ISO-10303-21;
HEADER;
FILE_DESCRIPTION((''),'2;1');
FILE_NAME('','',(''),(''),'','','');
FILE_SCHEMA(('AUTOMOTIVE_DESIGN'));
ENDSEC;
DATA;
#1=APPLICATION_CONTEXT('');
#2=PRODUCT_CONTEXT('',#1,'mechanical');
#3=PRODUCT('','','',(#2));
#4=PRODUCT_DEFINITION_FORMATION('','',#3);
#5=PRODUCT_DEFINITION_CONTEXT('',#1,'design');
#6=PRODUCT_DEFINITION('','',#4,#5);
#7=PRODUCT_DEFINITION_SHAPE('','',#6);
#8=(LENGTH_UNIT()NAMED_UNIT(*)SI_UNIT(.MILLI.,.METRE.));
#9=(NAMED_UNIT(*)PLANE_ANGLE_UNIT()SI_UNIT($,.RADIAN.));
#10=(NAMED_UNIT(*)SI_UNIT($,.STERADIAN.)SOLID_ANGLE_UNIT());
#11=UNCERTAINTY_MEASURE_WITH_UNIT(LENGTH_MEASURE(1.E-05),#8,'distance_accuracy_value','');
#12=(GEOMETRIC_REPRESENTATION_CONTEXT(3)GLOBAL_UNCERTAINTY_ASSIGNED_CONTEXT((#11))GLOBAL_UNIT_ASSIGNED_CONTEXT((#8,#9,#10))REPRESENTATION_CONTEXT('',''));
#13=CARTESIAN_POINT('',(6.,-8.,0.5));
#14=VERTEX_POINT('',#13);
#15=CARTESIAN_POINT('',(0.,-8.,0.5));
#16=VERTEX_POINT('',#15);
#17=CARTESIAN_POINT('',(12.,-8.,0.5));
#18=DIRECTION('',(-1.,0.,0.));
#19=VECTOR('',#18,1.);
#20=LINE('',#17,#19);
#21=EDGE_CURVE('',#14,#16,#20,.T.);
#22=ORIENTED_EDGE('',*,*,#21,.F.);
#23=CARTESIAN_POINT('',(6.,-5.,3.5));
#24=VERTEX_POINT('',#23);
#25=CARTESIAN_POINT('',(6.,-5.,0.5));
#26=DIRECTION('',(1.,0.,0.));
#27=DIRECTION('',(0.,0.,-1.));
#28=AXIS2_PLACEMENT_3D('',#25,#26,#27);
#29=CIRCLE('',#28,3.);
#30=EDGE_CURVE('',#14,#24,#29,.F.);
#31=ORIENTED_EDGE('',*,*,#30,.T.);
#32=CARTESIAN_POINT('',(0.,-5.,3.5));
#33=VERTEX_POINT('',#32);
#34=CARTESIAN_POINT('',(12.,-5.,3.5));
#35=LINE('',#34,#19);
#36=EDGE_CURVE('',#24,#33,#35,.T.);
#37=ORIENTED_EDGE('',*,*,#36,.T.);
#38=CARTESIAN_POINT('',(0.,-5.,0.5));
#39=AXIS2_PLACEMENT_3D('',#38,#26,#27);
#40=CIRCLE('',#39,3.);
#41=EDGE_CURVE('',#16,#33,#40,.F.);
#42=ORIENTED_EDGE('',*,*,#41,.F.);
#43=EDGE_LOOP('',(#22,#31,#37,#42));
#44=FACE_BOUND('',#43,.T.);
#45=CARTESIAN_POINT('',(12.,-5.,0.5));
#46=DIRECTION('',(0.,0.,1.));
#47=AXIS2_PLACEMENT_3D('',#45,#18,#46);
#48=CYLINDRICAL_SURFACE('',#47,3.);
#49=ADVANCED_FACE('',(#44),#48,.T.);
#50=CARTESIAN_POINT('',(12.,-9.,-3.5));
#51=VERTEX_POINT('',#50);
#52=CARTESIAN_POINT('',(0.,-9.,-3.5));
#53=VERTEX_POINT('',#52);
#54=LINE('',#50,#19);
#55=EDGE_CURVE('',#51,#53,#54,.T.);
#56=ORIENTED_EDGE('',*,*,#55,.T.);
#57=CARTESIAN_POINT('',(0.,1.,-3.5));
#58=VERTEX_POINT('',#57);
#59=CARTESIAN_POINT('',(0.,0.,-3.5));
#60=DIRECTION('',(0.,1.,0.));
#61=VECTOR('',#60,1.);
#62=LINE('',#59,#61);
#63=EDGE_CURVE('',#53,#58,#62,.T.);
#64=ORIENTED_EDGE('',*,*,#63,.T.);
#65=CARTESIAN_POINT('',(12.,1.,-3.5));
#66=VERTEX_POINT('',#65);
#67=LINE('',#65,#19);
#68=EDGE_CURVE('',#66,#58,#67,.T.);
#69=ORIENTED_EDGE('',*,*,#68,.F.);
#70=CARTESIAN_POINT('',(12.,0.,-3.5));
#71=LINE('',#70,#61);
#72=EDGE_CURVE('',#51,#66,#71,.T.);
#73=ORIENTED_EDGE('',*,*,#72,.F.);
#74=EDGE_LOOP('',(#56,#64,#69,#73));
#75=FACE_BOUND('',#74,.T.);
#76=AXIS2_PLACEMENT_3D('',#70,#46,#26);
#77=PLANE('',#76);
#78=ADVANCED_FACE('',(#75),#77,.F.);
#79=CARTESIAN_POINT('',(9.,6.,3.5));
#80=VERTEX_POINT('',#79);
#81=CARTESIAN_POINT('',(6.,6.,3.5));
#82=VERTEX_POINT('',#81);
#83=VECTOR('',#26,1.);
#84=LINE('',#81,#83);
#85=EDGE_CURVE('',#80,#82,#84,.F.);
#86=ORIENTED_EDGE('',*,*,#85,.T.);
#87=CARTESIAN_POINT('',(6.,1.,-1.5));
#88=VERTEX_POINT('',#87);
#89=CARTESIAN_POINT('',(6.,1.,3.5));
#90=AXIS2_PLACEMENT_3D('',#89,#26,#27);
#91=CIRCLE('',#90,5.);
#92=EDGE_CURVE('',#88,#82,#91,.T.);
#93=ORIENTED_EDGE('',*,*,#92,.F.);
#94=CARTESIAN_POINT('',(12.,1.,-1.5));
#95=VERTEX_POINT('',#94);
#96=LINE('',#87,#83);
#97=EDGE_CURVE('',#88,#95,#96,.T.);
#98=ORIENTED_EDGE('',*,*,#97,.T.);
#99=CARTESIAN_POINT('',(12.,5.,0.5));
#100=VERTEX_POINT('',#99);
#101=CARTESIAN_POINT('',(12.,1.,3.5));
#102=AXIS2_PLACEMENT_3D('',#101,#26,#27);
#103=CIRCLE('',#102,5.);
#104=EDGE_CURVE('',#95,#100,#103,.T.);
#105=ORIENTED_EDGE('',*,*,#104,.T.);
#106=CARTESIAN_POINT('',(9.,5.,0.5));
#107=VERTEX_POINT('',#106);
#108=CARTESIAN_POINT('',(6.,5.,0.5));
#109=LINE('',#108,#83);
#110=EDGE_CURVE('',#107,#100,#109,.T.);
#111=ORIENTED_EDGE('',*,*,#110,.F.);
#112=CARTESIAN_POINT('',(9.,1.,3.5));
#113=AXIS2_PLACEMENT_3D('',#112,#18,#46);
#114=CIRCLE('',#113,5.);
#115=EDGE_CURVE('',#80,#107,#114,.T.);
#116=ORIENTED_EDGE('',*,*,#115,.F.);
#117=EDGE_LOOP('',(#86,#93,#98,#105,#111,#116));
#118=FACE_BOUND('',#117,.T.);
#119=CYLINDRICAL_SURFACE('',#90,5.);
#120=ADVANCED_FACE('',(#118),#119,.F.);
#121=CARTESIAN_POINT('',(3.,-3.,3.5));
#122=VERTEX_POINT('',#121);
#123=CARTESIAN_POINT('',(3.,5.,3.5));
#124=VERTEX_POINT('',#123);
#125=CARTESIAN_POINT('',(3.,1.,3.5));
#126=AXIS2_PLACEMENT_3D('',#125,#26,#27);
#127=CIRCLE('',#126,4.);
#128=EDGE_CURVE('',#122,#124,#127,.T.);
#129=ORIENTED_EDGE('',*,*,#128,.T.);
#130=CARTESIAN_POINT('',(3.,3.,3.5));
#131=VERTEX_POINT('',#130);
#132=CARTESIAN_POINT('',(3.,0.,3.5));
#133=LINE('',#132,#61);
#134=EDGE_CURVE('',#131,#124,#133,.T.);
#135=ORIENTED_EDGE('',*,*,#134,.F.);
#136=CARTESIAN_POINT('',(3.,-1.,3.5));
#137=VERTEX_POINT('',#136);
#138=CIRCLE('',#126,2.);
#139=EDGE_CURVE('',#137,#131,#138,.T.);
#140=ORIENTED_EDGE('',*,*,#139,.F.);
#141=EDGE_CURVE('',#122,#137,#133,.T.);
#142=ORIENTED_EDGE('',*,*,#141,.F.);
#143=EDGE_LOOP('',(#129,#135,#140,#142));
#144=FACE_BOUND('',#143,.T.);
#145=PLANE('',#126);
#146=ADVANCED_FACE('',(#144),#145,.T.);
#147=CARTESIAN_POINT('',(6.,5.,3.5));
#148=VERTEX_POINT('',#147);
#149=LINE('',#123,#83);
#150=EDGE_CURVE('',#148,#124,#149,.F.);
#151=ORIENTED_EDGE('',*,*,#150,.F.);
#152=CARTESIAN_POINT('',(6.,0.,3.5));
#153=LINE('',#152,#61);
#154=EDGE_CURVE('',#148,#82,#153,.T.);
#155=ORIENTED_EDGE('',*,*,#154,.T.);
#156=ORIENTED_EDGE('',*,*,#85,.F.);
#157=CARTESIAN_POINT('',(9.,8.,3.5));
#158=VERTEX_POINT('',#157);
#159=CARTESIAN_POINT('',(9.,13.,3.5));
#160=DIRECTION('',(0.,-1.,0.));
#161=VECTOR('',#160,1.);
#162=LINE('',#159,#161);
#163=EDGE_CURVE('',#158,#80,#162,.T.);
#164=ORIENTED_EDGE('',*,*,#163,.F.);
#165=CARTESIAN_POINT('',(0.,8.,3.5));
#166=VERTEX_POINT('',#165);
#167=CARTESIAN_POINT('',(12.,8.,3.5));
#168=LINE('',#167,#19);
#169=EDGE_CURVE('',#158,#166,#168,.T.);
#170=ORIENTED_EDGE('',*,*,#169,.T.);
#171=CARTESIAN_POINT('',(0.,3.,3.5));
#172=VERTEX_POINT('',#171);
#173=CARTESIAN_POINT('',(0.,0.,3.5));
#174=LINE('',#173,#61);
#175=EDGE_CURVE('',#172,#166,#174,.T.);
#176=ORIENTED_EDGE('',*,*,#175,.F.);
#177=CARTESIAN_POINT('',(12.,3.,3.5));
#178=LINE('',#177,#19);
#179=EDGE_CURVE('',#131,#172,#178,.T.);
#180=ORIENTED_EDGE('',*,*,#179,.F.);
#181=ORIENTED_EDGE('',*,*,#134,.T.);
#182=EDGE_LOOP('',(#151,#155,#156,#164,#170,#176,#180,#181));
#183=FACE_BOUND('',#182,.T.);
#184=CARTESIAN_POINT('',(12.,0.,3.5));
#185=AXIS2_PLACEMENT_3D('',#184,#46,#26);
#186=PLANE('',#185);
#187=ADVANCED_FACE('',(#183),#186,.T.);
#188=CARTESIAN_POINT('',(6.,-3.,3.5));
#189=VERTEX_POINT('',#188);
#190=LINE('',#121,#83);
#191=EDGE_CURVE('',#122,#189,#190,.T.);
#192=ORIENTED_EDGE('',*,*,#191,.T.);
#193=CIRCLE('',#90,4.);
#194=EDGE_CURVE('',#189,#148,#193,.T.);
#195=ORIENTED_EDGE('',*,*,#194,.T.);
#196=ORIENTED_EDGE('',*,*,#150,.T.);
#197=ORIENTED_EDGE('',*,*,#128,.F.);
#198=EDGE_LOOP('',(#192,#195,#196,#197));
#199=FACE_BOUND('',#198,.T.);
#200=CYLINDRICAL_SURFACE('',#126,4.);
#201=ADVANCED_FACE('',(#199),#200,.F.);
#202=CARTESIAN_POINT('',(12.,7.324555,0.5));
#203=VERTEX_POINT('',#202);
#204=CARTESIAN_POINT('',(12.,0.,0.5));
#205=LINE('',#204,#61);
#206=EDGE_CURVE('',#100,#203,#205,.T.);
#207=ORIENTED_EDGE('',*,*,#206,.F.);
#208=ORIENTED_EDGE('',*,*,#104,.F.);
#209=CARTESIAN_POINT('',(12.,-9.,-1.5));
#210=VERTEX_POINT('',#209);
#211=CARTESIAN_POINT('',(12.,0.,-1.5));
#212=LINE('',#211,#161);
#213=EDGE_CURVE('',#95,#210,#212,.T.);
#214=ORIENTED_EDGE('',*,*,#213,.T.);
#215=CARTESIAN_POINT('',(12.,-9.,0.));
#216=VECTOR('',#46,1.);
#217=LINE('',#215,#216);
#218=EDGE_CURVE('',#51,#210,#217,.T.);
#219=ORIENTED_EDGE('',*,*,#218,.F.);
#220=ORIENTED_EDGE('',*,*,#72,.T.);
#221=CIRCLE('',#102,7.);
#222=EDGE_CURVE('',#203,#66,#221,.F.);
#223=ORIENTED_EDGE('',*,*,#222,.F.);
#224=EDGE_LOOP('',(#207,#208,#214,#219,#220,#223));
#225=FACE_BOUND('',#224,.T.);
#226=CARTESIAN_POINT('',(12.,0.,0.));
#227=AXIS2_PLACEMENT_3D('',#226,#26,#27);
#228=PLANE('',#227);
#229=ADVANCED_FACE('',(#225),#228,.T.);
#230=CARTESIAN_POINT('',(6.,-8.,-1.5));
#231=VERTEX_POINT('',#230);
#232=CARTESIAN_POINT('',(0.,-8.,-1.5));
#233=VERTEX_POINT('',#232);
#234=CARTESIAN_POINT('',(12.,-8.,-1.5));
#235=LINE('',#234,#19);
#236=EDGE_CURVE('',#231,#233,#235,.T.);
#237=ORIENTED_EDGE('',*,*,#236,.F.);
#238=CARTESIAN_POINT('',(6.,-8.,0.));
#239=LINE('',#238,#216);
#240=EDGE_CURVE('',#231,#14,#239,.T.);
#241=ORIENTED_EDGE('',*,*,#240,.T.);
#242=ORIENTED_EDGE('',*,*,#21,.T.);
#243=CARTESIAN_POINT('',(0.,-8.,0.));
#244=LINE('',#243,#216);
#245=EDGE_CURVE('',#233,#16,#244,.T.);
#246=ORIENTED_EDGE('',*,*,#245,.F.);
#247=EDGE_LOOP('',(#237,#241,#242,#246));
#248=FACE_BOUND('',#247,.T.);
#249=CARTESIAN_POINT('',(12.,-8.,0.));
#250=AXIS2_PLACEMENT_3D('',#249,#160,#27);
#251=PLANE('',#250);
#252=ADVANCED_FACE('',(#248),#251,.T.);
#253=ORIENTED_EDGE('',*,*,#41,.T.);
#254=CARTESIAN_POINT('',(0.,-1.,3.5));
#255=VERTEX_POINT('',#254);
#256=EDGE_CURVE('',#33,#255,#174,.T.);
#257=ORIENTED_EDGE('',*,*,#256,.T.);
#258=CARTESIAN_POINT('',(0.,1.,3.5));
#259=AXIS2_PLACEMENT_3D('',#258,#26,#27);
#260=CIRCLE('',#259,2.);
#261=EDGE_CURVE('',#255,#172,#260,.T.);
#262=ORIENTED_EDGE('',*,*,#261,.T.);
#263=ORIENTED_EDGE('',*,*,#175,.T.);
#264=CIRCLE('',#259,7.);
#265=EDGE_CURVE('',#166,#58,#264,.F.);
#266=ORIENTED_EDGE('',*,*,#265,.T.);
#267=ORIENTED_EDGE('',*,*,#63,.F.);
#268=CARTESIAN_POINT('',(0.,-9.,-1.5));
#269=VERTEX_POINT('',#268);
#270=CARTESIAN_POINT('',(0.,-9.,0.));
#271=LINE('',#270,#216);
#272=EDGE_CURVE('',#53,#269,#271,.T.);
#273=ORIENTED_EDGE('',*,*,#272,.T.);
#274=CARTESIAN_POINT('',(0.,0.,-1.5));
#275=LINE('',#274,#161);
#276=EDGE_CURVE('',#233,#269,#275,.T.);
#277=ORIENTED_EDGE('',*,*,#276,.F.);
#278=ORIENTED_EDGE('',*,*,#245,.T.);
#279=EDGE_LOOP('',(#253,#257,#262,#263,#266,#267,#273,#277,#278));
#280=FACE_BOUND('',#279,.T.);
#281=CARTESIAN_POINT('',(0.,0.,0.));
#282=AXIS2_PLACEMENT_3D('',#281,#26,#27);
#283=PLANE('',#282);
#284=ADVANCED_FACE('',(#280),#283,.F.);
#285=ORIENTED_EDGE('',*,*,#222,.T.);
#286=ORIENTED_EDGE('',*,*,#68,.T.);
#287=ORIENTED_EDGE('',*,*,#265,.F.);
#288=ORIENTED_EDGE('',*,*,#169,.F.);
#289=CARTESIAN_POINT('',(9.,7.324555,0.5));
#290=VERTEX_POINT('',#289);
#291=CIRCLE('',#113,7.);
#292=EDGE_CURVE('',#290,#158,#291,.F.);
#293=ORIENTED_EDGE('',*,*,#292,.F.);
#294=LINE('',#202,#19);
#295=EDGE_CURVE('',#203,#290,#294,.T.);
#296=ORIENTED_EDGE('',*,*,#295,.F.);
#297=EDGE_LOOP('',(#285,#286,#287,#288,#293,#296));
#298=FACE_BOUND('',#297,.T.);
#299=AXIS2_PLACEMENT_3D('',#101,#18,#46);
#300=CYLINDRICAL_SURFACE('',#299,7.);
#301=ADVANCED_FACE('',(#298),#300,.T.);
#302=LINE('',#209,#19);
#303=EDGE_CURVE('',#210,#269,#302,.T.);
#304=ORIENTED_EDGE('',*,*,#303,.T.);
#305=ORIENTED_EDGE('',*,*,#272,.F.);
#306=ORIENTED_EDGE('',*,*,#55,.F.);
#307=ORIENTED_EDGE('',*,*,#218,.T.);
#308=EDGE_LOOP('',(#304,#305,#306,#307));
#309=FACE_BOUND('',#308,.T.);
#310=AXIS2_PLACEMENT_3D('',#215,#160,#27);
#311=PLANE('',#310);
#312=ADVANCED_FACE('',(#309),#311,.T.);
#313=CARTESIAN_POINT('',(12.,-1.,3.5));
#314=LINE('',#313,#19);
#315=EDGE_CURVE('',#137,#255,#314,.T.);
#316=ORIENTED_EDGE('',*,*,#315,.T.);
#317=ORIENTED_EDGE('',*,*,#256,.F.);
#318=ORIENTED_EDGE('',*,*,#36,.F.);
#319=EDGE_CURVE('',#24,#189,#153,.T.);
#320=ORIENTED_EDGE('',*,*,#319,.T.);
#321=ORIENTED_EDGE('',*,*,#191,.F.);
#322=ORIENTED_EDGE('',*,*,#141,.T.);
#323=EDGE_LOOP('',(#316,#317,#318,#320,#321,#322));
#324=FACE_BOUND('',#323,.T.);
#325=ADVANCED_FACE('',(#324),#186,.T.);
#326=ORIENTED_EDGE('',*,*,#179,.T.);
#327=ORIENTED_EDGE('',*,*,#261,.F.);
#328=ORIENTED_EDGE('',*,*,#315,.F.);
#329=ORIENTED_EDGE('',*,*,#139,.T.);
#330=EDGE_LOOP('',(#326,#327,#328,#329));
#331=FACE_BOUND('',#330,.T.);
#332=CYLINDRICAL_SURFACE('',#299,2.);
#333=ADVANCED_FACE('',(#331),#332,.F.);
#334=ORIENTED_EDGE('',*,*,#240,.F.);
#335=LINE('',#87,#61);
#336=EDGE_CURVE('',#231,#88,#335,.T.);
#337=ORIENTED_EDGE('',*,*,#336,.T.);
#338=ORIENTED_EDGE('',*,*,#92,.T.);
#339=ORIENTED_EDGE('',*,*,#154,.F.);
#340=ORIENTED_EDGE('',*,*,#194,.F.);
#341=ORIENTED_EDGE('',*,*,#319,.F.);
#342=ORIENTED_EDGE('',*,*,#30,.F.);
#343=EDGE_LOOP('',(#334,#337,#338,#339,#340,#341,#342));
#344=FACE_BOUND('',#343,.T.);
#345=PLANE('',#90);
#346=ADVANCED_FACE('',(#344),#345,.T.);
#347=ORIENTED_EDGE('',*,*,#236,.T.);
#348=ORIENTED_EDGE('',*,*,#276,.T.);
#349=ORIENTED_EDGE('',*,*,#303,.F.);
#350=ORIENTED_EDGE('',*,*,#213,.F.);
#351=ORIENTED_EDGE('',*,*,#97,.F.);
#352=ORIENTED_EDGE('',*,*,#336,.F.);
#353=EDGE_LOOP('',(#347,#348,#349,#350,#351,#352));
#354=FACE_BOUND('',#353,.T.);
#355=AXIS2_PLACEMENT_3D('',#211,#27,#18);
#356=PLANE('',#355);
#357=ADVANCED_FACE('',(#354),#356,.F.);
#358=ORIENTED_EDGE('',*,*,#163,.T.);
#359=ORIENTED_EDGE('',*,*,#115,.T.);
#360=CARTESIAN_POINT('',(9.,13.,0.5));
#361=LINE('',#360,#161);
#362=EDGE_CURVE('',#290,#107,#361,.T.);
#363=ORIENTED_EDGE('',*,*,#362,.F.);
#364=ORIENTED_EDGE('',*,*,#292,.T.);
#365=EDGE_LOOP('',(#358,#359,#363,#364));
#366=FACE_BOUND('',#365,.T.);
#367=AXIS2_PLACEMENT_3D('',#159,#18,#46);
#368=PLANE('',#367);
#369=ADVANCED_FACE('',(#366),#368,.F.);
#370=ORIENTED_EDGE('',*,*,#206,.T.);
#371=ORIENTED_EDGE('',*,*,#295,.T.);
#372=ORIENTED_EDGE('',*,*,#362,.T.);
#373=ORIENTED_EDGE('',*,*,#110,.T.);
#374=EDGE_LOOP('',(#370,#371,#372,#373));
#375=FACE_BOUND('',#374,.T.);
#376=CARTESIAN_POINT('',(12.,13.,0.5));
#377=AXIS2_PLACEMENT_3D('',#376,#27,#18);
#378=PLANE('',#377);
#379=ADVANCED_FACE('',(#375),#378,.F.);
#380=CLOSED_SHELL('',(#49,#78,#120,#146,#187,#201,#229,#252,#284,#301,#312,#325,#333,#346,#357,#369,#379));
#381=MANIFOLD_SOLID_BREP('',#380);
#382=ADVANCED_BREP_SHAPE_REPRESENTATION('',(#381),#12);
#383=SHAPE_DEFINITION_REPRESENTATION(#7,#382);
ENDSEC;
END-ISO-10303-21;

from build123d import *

# Parameters (mm, degrees)
SKETCH1_W           = 2
SKETCH1_H           = 1
BOSS_EXTRUDE1_DEPTH = 12
SKETCH2_W           = 3
SKETCH2_H           = 3
CUT_EXTRUDE1_DEPTH  = 22
CUT_EXTRUDE2_DEPTH  = 6
SKETCH4_R           = 4
CUT_EXTRUDE3_DEPTH  = 3


with BuildPart() as part:
    # Sketch1 → Boss-Extrude1 (new body)
    with BuildSketch(Plane(origin=(0, 0, 0), x_dir=(0, 0, -1), z_dir=(1, 0, 0))):
        with BuildLine():
            Line((1.5, -8), (3.5, -8))
            Line((3.5, -8), (3.5, 1))
            ThreePointArc((3.5, 1), (1.449747468, 5.949747468), (-3.5, 8))
            Line((-3.5, 8), (-3.5, 3))
            ThreePointArc((-3.5, 3), (-2.085786438, 2.414213562), (-1.5, 1))
            ThreePointArc((-1.5, 1), (-2.085786438, -0.414213562), (-3.5, -1))
            Line((-3.5, -1), (-3.5, -5))
            ThreePointArc((-3.5, -5), (-2.621320344, -7.121320344), (-0.5, -8))
            Line((-0.5, -8), (1.5, -8))
        make_face()
        with Locations((2.5, -8.5)):
            Rectangle(SKETCH1_W, SKETCH1_H)
    extrude(amount=BOSS_EXTRUDE1_DEPTH)

    # Sketch2 → Cut-Extrude1 (cut)
    with BuildSketch(Plane.XZ.offset(9)):
        with Locations((10.5, 2)):
            Rectangle(SKETCH2_W, SKETCH2_H)
    extrude(amount=-CUT_EXTRUDE1_DEPTH, mode=Mode.SUBTRACT)

    # Sketch3 → Cut-Extrude2 (cut)
    with BuildSketch(Plane(origin=(12, 0, 0), x_dir=(0, 0, -1), z_dir=(1, 0, 0))):
        with BuildLine():
            Line((1.5, 1), (1.5, -8.778964662))
            ThreePointArc((1.5, -8.778964662), (-3.5, -13.778964662), (-8.5, -8.778964662))
            Line((-8.5, -8.778964662), (-8.5, 1))
            ThreePointArc((-8.5, 1), (-3.5, 6), (1.5, 1))
        make_face()
    extrude(amount=-CUT_EXTRUDE2_DEPTH, mode=Mode.SUBTRACT)

    # Sketch4 → Cut-Extrude3 (cut)
    with BuildSketch(Plane(origin=(6, 0, 0), x_dir=(0, 0, -1), z_dir=(1, 0, 0))):
        with Locations((-3.5, 1)):
            Circle(SKETCH4_R)
    extrude(amount=-CUT_EXTRUDE3_DEPTH, mode=Mode.SUBTRACT)


solid = part.part
